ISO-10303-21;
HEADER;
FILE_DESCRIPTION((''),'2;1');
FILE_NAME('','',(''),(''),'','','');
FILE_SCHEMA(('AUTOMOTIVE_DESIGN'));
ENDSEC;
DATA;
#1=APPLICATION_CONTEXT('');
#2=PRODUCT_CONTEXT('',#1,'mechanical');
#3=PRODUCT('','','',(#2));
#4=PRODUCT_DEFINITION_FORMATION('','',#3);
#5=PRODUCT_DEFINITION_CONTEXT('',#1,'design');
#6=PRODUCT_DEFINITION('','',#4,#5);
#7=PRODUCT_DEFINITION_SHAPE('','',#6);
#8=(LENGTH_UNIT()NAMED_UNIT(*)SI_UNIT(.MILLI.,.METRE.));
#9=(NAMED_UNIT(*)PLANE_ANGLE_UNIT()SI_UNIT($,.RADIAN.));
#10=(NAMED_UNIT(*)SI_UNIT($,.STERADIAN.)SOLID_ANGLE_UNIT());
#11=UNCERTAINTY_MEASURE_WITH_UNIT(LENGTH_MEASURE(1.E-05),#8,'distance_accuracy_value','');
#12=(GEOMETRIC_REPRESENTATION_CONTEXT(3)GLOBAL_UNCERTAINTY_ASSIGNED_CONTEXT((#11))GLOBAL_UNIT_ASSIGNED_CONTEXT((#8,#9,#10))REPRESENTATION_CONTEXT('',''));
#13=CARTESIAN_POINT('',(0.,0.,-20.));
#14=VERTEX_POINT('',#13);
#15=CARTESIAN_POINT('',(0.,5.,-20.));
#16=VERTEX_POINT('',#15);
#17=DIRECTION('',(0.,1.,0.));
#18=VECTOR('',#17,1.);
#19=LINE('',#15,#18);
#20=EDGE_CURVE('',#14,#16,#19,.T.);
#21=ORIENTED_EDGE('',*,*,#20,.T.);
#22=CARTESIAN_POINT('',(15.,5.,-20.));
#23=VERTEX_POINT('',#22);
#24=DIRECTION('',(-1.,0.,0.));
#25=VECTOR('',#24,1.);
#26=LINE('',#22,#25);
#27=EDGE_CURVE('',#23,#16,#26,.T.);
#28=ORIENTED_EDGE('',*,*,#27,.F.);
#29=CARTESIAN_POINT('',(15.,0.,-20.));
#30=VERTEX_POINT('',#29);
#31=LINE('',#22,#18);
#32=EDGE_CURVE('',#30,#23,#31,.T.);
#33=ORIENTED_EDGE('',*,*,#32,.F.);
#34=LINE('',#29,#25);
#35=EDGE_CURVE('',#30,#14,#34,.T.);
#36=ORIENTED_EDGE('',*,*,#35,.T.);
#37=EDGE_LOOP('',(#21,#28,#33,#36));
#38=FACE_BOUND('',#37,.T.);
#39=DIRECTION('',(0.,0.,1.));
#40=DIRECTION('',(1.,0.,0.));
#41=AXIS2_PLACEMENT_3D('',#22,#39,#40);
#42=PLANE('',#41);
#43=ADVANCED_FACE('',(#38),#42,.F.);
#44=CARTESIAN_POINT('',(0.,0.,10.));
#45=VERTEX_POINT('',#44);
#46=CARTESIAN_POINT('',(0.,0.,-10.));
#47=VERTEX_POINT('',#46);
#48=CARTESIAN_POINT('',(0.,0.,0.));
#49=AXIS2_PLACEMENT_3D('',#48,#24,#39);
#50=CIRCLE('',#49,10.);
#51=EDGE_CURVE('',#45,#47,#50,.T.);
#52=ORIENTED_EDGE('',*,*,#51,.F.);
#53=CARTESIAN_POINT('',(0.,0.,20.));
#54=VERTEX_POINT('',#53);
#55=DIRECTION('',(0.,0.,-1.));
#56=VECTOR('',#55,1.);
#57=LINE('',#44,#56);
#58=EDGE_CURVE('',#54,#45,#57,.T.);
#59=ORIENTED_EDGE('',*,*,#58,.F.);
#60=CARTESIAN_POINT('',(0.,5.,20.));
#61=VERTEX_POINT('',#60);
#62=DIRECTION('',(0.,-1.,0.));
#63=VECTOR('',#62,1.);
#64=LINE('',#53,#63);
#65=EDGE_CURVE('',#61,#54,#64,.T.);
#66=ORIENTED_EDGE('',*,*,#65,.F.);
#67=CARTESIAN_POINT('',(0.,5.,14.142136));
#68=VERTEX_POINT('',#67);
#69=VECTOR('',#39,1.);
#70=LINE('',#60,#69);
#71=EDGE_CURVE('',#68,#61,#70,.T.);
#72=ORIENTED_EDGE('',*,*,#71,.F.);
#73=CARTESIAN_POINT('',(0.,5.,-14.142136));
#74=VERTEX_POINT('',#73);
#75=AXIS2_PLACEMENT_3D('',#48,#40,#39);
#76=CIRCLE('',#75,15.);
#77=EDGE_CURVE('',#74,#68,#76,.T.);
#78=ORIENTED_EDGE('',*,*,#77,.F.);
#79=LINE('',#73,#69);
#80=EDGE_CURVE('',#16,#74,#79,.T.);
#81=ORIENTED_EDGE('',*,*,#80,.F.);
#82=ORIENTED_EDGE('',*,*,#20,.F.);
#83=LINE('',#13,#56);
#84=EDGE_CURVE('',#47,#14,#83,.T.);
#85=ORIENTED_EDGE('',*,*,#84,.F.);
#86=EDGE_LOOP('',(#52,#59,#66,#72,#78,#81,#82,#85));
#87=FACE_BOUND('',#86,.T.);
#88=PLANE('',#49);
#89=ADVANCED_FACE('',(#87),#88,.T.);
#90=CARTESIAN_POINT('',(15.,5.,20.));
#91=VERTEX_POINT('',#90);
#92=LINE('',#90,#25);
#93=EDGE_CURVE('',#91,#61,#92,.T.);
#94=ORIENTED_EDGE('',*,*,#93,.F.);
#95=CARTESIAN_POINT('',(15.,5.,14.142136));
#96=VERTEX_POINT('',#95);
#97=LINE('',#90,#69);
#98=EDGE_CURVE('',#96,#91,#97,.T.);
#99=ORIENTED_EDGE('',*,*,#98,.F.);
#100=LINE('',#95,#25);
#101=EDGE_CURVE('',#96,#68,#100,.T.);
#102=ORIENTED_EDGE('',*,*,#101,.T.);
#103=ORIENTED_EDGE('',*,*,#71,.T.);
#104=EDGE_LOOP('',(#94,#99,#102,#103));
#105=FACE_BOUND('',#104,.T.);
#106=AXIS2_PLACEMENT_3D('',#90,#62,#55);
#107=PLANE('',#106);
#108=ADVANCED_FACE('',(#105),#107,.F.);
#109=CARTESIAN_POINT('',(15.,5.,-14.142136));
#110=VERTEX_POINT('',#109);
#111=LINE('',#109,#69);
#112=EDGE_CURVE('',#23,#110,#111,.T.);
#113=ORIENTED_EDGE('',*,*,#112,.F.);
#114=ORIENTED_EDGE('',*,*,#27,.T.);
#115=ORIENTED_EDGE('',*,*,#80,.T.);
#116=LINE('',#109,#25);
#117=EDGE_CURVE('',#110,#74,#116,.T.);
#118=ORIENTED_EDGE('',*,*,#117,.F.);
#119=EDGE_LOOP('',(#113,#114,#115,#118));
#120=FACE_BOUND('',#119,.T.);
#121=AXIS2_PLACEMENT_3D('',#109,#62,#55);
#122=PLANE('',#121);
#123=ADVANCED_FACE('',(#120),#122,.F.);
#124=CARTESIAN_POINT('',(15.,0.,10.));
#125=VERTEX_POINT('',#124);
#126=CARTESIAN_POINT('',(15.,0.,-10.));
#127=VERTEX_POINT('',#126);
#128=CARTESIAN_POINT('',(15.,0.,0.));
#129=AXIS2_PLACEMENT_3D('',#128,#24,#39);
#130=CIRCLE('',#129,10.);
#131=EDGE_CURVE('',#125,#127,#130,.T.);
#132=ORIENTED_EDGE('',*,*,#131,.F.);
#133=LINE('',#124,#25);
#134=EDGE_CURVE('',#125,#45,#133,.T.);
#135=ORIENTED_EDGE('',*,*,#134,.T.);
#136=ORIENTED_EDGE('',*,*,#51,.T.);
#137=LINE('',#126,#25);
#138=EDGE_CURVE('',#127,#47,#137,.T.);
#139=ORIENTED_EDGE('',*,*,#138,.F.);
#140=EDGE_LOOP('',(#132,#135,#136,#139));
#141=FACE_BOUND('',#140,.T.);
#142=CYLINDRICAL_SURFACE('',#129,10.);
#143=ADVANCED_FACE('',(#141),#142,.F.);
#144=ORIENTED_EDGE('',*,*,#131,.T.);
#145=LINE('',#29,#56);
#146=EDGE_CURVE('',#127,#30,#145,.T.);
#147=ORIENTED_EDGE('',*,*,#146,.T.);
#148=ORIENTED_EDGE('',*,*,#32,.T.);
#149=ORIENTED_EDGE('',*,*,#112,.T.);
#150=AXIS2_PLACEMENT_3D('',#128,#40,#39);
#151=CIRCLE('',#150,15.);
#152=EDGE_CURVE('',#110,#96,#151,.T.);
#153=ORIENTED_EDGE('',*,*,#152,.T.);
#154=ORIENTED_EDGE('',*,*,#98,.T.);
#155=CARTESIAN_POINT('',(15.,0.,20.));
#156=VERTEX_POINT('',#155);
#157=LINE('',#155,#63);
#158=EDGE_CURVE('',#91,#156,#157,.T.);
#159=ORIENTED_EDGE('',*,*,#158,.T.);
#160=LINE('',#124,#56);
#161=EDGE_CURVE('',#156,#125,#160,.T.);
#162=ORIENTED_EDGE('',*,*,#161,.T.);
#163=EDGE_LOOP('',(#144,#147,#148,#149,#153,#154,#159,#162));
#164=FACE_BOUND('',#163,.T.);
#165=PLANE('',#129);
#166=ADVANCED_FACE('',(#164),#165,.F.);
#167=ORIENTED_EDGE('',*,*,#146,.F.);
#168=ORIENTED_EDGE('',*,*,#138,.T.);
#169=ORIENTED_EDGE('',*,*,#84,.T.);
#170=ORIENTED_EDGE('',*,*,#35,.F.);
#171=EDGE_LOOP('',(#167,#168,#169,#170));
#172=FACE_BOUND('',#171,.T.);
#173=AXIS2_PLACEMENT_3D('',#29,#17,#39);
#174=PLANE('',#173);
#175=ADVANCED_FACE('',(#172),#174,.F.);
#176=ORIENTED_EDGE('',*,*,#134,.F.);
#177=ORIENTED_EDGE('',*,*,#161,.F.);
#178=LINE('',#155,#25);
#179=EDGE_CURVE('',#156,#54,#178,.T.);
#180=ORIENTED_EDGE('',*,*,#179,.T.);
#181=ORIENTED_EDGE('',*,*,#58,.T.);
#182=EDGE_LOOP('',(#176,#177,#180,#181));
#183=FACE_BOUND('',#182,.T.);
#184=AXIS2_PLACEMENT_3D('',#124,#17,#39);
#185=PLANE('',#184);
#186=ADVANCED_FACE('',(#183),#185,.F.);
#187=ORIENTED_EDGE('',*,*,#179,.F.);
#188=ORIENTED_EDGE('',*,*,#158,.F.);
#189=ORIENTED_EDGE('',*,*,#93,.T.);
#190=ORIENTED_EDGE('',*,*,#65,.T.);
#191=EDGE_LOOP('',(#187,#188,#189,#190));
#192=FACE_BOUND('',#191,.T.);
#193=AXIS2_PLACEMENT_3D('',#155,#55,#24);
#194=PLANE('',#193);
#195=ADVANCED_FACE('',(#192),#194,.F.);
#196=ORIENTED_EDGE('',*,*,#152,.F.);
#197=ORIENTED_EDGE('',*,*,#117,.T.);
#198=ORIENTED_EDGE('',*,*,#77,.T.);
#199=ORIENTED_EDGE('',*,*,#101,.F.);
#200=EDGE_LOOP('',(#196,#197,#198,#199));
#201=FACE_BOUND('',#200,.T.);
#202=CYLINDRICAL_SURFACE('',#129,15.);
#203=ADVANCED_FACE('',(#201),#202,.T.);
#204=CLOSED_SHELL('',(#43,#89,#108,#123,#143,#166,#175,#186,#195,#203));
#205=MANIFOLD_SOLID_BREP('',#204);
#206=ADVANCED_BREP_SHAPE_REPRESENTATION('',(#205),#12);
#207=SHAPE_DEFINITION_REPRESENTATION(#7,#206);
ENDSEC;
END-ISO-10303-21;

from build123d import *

# Parameters (mm, degrees)
SALIENTE_EXTRUIR1_DEPTH = 15


with BuildPart() as part:
    # Croquis1 → Saliente-Extruir1 (new body)
    with BuildSketch(Plane(origin=(0, 0, 0), x_dir=(0, 0, -1), z_dir=(1, 0, 0))):
        with BuildLine():
            Line((-10, 0), (-20, 0))
            Line((-20, 0), (-20, 5))
            Line((-20, 5), (-14.142135624, 5))
            ThreePointArc((-14.142135624, 5), (0, 15), (14.142135624, 5))
            Line((14.142135624, 5), (20, 5))
            Line((20, 5), (20, 0))
            Line((20, 0), (10, 0))
            ThreePointArc((10, 0), (0, 10), (-10, 0))
        make_face()
    extrude(amount=SALIENTE_EXTRUIR1_DEPTH)


solid = part.part
